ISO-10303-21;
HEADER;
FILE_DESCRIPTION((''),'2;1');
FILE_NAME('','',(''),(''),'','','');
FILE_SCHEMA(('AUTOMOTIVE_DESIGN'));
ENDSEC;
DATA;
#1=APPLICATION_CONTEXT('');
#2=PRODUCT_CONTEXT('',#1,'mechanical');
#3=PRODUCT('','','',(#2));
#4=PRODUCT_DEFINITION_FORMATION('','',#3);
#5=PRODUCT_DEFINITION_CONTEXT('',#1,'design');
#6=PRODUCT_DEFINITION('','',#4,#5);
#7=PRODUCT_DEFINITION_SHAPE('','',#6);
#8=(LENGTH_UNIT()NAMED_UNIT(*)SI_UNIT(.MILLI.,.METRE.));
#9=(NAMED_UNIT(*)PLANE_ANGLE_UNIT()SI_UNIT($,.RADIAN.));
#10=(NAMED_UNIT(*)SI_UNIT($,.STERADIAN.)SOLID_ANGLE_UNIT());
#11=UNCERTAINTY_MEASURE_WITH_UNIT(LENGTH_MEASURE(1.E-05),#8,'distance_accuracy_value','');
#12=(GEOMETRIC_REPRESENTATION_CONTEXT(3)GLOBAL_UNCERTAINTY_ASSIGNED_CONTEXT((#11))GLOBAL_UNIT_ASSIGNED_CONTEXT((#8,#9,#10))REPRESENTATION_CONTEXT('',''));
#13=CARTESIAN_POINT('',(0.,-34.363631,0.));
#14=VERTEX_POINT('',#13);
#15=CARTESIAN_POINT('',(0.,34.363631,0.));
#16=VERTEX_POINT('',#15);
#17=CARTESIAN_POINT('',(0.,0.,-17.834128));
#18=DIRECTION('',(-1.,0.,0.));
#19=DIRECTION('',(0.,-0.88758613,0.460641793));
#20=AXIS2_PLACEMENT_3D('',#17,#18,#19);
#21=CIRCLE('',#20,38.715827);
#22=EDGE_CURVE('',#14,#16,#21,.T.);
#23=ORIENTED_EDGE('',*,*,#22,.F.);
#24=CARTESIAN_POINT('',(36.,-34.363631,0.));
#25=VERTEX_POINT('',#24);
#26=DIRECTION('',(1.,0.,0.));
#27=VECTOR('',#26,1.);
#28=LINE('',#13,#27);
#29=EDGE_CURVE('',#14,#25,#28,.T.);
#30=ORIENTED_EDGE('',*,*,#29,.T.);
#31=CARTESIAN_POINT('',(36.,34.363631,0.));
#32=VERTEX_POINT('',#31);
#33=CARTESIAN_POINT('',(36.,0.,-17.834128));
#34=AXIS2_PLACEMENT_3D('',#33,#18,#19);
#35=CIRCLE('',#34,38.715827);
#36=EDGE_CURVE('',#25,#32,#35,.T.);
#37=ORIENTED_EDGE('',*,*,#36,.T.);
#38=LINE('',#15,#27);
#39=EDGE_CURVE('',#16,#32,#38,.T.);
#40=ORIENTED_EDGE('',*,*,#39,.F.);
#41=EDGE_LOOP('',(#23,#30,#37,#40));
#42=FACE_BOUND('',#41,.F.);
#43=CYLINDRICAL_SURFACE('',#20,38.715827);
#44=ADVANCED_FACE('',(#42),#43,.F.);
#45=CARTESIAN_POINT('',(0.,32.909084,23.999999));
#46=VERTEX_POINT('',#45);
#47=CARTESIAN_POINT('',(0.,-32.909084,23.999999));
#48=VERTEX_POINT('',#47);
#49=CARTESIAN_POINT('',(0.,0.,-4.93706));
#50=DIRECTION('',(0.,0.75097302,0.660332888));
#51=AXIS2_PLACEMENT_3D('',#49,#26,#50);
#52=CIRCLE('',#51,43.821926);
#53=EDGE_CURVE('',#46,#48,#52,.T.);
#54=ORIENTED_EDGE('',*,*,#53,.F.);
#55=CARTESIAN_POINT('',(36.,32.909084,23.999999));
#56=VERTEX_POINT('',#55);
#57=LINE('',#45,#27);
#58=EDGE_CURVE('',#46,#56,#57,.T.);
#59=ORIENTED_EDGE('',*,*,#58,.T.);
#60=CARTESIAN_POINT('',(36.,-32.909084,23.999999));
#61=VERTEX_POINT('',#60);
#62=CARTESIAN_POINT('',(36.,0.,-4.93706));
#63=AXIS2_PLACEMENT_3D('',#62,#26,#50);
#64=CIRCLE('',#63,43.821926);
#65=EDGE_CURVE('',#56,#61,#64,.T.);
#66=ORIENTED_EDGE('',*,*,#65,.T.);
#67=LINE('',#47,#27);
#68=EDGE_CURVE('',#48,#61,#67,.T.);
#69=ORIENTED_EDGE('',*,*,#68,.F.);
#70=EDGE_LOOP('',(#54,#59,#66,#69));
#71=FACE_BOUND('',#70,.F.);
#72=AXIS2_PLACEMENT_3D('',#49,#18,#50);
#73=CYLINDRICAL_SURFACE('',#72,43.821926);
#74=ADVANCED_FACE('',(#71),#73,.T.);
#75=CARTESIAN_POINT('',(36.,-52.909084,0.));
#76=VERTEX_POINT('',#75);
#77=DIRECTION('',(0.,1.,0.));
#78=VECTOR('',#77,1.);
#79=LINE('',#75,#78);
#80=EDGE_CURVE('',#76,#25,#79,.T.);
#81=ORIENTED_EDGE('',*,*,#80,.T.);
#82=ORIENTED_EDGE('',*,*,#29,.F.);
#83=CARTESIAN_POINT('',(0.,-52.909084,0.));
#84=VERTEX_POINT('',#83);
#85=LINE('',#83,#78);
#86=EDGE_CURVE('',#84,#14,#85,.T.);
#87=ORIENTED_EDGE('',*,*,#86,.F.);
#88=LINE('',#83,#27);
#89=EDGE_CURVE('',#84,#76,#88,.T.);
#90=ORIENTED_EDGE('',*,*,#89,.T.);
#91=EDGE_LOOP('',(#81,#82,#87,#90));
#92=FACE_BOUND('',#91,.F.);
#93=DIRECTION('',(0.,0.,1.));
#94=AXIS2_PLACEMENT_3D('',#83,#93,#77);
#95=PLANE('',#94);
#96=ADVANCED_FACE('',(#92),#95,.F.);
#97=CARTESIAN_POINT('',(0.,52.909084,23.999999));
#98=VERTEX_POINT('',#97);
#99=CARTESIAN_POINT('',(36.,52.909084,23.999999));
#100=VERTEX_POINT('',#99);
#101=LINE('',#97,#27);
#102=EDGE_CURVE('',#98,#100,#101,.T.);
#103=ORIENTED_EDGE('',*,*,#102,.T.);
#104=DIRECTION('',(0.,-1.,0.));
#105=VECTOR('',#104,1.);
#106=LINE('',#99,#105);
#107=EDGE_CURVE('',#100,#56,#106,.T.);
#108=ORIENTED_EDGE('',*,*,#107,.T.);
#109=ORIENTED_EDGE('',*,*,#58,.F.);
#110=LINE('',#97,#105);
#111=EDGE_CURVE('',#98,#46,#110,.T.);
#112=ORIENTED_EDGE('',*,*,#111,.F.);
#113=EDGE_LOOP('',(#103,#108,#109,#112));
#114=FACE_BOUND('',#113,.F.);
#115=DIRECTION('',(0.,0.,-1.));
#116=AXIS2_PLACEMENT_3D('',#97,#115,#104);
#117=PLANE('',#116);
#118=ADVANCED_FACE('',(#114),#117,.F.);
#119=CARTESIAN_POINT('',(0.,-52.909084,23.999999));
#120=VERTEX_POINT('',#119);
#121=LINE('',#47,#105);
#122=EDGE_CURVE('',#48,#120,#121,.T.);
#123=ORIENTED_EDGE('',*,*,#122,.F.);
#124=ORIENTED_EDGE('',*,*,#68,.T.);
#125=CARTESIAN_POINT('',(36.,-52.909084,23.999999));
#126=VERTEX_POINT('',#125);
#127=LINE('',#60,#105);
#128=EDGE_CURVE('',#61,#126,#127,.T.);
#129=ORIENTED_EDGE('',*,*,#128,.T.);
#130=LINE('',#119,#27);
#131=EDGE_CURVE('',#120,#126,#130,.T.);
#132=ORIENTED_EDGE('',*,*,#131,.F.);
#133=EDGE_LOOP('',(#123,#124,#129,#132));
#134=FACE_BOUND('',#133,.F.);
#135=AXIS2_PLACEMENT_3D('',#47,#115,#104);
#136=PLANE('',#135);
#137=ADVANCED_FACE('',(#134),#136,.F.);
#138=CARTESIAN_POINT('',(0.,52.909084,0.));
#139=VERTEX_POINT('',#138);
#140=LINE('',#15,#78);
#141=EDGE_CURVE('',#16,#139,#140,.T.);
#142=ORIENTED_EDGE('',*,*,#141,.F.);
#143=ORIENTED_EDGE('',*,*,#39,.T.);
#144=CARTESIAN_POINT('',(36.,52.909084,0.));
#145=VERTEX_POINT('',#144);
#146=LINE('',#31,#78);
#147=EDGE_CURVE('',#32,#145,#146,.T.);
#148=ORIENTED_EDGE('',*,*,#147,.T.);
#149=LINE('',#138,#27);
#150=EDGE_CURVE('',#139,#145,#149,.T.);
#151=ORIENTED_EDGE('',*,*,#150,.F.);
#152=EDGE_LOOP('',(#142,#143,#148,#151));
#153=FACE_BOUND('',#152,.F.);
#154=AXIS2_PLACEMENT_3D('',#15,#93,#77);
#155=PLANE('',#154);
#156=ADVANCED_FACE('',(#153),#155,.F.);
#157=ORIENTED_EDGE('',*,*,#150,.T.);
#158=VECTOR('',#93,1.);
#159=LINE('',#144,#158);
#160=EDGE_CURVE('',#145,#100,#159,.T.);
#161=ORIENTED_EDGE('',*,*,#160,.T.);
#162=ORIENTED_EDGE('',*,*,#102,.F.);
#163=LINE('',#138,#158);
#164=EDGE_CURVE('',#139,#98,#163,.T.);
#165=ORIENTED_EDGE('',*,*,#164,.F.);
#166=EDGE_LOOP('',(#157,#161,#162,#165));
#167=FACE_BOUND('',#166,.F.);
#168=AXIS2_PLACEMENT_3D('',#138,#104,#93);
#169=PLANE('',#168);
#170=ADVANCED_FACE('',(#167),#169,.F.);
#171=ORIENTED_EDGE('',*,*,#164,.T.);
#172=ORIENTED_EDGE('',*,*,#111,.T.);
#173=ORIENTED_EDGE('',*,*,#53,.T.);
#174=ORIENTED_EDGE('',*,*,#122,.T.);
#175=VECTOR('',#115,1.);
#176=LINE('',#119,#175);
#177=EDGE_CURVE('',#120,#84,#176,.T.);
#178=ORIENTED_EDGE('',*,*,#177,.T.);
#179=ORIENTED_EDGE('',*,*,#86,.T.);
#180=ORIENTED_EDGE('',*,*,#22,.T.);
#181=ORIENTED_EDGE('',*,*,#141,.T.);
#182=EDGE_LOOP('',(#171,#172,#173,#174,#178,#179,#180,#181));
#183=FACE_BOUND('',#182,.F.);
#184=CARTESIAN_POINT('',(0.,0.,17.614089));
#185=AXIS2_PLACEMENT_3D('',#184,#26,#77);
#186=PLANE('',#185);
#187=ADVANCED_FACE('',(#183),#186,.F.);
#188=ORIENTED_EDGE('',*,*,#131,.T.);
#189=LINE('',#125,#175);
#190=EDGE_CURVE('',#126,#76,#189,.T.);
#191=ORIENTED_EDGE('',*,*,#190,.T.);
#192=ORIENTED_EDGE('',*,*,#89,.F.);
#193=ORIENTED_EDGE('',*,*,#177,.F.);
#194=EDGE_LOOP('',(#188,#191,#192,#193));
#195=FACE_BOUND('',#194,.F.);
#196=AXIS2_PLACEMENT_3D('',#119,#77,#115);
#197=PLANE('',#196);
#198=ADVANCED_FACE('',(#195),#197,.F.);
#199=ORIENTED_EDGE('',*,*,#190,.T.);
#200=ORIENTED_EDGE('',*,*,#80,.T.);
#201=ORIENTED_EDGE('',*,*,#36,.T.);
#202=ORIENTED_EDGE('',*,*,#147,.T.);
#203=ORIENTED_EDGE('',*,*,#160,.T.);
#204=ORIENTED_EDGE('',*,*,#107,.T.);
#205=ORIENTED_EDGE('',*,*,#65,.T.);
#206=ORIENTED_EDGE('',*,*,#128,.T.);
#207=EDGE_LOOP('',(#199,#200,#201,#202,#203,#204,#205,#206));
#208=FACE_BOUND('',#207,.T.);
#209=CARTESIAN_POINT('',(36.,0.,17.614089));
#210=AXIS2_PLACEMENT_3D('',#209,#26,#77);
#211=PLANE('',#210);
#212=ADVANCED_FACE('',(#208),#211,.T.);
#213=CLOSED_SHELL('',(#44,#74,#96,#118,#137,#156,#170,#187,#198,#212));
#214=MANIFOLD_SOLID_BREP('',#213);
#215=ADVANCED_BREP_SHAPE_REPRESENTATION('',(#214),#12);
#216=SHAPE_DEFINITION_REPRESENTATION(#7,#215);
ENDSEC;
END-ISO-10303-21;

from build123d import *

# Parameters (mm, degrees)
F1_DEPTH = 36


with BuildPart() as f1:
    # F0 (on Right) → F1 (new body)
    with BuildSketch(Plane.YZ):
        with BuildLine():
            Line((34.363631, 0), (52.909084, 0))
            Line((52.909084, 0), (52.909084, 23.999999))
            Line((52.909084, 23.999999), (32.909084, 23.999999))
            ThreePointArc((32.909084, 23.999999), (0, 38.884866), (-32.909084, 23.999999))
            Line((-32.909084, 23.999999), (-52.909084, 23.999999))
            Line((-52.909084, 23.999999), (-52.909084, 0))
            Line((-52.909084, 0), (-34.363631, 0))
            ThreePointArc((-34.363631, 0), (0, 20.881699), (34.363631, 0))
        make_face()
    extrude(amount=F1_DEPTH)


solid = f1.part
